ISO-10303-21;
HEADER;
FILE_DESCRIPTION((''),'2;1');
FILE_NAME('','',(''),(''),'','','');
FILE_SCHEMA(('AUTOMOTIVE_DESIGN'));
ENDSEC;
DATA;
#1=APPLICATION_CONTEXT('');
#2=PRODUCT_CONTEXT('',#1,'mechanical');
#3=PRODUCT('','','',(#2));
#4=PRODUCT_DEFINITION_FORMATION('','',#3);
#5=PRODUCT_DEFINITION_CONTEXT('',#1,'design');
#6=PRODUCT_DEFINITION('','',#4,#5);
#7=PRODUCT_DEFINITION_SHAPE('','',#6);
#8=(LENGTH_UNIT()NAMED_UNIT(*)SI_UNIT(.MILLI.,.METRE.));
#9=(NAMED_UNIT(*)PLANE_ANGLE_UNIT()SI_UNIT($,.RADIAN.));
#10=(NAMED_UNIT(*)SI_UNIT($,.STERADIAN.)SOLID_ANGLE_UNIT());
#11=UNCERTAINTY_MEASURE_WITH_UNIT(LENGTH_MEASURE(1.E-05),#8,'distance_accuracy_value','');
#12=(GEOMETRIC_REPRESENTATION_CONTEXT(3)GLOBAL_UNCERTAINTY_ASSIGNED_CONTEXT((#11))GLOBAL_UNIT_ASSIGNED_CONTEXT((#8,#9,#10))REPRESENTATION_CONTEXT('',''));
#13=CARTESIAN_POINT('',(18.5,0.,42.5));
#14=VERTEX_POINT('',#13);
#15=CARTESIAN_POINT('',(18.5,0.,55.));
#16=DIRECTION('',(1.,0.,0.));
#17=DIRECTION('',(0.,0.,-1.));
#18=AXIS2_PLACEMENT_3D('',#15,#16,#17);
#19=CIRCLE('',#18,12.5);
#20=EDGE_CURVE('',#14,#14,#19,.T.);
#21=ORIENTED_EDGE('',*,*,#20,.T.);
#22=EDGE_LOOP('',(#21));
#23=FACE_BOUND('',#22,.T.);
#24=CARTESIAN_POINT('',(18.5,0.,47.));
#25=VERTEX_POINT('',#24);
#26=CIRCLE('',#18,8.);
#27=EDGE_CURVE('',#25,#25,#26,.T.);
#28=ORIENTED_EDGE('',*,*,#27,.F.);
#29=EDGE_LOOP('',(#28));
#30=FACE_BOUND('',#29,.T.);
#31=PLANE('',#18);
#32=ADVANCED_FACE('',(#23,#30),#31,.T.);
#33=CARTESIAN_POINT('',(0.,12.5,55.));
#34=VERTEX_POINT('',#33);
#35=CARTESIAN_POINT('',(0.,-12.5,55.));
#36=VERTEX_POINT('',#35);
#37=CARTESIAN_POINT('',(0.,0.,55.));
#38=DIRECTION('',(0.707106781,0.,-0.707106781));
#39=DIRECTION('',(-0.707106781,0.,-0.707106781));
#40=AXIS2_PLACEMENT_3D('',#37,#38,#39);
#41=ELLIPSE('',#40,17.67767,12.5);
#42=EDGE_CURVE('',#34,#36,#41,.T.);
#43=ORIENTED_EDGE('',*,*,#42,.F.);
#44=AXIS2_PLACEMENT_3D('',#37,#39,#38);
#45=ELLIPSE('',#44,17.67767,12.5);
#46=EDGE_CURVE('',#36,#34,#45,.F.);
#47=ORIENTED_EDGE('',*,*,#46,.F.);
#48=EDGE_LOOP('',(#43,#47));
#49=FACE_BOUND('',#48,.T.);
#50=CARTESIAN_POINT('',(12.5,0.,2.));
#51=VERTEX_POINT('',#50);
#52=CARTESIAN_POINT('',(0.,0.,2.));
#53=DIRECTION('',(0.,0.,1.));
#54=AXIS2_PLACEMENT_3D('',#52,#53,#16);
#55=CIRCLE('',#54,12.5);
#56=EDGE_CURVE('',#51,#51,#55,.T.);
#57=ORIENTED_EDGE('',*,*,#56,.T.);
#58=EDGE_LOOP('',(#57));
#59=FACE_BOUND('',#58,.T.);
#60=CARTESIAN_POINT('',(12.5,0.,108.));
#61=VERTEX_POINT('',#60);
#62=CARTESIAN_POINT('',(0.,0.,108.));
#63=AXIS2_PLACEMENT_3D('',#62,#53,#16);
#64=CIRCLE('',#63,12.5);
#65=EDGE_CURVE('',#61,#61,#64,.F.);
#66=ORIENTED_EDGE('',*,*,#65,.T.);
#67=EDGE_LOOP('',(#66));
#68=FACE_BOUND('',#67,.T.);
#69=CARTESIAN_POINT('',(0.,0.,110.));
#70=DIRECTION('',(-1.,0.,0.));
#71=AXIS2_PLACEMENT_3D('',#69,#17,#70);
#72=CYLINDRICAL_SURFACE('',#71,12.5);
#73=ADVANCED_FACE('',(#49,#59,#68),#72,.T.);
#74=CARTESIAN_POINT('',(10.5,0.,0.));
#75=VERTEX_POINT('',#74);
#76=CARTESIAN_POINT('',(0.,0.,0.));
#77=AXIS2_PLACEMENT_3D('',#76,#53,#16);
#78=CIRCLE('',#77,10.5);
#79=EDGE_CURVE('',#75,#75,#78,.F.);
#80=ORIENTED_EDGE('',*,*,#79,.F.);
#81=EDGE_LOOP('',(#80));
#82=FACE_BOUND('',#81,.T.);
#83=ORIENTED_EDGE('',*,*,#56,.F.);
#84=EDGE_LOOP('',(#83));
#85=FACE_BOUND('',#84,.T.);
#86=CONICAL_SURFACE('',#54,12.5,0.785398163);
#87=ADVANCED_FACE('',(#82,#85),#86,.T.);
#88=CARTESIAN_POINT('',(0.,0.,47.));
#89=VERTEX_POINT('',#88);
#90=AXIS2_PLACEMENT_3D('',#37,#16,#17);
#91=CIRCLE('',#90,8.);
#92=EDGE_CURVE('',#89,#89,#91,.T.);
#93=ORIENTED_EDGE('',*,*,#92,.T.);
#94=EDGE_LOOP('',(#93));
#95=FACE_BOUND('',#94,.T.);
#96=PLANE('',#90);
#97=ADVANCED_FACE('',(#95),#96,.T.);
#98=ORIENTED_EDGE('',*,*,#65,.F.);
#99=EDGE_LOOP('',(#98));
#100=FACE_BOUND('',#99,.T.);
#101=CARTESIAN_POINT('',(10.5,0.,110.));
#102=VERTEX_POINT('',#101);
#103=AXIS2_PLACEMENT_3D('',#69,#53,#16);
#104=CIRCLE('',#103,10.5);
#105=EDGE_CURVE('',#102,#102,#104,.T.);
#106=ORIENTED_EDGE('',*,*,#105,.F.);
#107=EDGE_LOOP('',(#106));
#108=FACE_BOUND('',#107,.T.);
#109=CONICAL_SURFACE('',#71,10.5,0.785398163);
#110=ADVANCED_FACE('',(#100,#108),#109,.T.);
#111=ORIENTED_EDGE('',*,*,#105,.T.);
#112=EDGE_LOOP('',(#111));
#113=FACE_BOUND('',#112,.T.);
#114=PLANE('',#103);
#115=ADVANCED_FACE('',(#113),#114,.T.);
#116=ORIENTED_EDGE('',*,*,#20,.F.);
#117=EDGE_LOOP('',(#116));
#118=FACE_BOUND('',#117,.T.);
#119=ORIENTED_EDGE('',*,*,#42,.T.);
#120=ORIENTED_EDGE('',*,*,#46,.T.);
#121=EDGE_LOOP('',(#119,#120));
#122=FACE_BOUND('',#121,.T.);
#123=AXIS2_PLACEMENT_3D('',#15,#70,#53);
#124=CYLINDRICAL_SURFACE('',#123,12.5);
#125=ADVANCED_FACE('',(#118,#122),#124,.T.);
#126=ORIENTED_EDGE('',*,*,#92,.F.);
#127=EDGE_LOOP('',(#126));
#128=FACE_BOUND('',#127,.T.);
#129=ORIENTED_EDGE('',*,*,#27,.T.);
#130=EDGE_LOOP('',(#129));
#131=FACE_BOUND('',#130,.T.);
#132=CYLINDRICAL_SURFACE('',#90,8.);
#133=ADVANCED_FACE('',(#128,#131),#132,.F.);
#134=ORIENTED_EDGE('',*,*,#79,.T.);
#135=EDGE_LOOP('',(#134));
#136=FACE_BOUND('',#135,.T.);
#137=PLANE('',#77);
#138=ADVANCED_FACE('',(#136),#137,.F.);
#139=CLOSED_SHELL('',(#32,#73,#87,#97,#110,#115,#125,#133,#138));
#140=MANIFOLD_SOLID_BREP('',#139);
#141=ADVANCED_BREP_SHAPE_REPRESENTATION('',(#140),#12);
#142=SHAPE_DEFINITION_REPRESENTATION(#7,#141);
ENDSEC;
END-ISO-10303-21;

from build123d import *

# Parameters (mm, degrees)
SKETCH3_R           = 12.5
BOSS_EXTRUDE1_DEPTH = 110
SKETCH4_R           = 12.5
BOSS_EXTRUDE2_DEPTH = 18.5
CHAMFER1_SIZE       = 2
SKETCH5_R           = 8
CUT_EXTRUDE1_DEPTH  = 18.5


with BuildPart() as part:
    # Sketch3 → Boss-Extrude1 (new body)
    with BuildSketch(Plane.XY):
        Circle(SKETCH3_R)
    extrude(amount=BOSS_EXTRUDE1_DEPTH)

    # Sketch4 → Boss-Extrude2 (add)
    with BuildSketch(Plane(origin=(0, 0, 0), x_dir=(0, 0, -1), z_dir=(1, 0, 0))):
        with Locations((-55, 0)):
            Circle(SKETCH4_R)
    extrude(amount=BOSS_EXTRUDE2_DEPTH)

    # Chamfer1
    chamfer1_edges = [part.edges().sort_by_distance(p)[0] for p in [
        (-12.5, 0, 0),
        (-12.5, 0, 110),
    ]]
    chamfer(chamfer1_edges, length=CHAMFER1_SIZE)

    # Sketch5 → Cut-Extrude1 (cut)
    with BuildSketch(Plane(origin=(18.5, 0, 0), x_dir=(0, 0, -1), z_dir=(1, 0, 0))):
        with Locations((-55, 0)):
            Circle(SKETCH5_R)
    extrude(amount=-CUT_EXTRUDE1_DEPTH, mode=Mode.SUBTRACT)


solid = part.part
